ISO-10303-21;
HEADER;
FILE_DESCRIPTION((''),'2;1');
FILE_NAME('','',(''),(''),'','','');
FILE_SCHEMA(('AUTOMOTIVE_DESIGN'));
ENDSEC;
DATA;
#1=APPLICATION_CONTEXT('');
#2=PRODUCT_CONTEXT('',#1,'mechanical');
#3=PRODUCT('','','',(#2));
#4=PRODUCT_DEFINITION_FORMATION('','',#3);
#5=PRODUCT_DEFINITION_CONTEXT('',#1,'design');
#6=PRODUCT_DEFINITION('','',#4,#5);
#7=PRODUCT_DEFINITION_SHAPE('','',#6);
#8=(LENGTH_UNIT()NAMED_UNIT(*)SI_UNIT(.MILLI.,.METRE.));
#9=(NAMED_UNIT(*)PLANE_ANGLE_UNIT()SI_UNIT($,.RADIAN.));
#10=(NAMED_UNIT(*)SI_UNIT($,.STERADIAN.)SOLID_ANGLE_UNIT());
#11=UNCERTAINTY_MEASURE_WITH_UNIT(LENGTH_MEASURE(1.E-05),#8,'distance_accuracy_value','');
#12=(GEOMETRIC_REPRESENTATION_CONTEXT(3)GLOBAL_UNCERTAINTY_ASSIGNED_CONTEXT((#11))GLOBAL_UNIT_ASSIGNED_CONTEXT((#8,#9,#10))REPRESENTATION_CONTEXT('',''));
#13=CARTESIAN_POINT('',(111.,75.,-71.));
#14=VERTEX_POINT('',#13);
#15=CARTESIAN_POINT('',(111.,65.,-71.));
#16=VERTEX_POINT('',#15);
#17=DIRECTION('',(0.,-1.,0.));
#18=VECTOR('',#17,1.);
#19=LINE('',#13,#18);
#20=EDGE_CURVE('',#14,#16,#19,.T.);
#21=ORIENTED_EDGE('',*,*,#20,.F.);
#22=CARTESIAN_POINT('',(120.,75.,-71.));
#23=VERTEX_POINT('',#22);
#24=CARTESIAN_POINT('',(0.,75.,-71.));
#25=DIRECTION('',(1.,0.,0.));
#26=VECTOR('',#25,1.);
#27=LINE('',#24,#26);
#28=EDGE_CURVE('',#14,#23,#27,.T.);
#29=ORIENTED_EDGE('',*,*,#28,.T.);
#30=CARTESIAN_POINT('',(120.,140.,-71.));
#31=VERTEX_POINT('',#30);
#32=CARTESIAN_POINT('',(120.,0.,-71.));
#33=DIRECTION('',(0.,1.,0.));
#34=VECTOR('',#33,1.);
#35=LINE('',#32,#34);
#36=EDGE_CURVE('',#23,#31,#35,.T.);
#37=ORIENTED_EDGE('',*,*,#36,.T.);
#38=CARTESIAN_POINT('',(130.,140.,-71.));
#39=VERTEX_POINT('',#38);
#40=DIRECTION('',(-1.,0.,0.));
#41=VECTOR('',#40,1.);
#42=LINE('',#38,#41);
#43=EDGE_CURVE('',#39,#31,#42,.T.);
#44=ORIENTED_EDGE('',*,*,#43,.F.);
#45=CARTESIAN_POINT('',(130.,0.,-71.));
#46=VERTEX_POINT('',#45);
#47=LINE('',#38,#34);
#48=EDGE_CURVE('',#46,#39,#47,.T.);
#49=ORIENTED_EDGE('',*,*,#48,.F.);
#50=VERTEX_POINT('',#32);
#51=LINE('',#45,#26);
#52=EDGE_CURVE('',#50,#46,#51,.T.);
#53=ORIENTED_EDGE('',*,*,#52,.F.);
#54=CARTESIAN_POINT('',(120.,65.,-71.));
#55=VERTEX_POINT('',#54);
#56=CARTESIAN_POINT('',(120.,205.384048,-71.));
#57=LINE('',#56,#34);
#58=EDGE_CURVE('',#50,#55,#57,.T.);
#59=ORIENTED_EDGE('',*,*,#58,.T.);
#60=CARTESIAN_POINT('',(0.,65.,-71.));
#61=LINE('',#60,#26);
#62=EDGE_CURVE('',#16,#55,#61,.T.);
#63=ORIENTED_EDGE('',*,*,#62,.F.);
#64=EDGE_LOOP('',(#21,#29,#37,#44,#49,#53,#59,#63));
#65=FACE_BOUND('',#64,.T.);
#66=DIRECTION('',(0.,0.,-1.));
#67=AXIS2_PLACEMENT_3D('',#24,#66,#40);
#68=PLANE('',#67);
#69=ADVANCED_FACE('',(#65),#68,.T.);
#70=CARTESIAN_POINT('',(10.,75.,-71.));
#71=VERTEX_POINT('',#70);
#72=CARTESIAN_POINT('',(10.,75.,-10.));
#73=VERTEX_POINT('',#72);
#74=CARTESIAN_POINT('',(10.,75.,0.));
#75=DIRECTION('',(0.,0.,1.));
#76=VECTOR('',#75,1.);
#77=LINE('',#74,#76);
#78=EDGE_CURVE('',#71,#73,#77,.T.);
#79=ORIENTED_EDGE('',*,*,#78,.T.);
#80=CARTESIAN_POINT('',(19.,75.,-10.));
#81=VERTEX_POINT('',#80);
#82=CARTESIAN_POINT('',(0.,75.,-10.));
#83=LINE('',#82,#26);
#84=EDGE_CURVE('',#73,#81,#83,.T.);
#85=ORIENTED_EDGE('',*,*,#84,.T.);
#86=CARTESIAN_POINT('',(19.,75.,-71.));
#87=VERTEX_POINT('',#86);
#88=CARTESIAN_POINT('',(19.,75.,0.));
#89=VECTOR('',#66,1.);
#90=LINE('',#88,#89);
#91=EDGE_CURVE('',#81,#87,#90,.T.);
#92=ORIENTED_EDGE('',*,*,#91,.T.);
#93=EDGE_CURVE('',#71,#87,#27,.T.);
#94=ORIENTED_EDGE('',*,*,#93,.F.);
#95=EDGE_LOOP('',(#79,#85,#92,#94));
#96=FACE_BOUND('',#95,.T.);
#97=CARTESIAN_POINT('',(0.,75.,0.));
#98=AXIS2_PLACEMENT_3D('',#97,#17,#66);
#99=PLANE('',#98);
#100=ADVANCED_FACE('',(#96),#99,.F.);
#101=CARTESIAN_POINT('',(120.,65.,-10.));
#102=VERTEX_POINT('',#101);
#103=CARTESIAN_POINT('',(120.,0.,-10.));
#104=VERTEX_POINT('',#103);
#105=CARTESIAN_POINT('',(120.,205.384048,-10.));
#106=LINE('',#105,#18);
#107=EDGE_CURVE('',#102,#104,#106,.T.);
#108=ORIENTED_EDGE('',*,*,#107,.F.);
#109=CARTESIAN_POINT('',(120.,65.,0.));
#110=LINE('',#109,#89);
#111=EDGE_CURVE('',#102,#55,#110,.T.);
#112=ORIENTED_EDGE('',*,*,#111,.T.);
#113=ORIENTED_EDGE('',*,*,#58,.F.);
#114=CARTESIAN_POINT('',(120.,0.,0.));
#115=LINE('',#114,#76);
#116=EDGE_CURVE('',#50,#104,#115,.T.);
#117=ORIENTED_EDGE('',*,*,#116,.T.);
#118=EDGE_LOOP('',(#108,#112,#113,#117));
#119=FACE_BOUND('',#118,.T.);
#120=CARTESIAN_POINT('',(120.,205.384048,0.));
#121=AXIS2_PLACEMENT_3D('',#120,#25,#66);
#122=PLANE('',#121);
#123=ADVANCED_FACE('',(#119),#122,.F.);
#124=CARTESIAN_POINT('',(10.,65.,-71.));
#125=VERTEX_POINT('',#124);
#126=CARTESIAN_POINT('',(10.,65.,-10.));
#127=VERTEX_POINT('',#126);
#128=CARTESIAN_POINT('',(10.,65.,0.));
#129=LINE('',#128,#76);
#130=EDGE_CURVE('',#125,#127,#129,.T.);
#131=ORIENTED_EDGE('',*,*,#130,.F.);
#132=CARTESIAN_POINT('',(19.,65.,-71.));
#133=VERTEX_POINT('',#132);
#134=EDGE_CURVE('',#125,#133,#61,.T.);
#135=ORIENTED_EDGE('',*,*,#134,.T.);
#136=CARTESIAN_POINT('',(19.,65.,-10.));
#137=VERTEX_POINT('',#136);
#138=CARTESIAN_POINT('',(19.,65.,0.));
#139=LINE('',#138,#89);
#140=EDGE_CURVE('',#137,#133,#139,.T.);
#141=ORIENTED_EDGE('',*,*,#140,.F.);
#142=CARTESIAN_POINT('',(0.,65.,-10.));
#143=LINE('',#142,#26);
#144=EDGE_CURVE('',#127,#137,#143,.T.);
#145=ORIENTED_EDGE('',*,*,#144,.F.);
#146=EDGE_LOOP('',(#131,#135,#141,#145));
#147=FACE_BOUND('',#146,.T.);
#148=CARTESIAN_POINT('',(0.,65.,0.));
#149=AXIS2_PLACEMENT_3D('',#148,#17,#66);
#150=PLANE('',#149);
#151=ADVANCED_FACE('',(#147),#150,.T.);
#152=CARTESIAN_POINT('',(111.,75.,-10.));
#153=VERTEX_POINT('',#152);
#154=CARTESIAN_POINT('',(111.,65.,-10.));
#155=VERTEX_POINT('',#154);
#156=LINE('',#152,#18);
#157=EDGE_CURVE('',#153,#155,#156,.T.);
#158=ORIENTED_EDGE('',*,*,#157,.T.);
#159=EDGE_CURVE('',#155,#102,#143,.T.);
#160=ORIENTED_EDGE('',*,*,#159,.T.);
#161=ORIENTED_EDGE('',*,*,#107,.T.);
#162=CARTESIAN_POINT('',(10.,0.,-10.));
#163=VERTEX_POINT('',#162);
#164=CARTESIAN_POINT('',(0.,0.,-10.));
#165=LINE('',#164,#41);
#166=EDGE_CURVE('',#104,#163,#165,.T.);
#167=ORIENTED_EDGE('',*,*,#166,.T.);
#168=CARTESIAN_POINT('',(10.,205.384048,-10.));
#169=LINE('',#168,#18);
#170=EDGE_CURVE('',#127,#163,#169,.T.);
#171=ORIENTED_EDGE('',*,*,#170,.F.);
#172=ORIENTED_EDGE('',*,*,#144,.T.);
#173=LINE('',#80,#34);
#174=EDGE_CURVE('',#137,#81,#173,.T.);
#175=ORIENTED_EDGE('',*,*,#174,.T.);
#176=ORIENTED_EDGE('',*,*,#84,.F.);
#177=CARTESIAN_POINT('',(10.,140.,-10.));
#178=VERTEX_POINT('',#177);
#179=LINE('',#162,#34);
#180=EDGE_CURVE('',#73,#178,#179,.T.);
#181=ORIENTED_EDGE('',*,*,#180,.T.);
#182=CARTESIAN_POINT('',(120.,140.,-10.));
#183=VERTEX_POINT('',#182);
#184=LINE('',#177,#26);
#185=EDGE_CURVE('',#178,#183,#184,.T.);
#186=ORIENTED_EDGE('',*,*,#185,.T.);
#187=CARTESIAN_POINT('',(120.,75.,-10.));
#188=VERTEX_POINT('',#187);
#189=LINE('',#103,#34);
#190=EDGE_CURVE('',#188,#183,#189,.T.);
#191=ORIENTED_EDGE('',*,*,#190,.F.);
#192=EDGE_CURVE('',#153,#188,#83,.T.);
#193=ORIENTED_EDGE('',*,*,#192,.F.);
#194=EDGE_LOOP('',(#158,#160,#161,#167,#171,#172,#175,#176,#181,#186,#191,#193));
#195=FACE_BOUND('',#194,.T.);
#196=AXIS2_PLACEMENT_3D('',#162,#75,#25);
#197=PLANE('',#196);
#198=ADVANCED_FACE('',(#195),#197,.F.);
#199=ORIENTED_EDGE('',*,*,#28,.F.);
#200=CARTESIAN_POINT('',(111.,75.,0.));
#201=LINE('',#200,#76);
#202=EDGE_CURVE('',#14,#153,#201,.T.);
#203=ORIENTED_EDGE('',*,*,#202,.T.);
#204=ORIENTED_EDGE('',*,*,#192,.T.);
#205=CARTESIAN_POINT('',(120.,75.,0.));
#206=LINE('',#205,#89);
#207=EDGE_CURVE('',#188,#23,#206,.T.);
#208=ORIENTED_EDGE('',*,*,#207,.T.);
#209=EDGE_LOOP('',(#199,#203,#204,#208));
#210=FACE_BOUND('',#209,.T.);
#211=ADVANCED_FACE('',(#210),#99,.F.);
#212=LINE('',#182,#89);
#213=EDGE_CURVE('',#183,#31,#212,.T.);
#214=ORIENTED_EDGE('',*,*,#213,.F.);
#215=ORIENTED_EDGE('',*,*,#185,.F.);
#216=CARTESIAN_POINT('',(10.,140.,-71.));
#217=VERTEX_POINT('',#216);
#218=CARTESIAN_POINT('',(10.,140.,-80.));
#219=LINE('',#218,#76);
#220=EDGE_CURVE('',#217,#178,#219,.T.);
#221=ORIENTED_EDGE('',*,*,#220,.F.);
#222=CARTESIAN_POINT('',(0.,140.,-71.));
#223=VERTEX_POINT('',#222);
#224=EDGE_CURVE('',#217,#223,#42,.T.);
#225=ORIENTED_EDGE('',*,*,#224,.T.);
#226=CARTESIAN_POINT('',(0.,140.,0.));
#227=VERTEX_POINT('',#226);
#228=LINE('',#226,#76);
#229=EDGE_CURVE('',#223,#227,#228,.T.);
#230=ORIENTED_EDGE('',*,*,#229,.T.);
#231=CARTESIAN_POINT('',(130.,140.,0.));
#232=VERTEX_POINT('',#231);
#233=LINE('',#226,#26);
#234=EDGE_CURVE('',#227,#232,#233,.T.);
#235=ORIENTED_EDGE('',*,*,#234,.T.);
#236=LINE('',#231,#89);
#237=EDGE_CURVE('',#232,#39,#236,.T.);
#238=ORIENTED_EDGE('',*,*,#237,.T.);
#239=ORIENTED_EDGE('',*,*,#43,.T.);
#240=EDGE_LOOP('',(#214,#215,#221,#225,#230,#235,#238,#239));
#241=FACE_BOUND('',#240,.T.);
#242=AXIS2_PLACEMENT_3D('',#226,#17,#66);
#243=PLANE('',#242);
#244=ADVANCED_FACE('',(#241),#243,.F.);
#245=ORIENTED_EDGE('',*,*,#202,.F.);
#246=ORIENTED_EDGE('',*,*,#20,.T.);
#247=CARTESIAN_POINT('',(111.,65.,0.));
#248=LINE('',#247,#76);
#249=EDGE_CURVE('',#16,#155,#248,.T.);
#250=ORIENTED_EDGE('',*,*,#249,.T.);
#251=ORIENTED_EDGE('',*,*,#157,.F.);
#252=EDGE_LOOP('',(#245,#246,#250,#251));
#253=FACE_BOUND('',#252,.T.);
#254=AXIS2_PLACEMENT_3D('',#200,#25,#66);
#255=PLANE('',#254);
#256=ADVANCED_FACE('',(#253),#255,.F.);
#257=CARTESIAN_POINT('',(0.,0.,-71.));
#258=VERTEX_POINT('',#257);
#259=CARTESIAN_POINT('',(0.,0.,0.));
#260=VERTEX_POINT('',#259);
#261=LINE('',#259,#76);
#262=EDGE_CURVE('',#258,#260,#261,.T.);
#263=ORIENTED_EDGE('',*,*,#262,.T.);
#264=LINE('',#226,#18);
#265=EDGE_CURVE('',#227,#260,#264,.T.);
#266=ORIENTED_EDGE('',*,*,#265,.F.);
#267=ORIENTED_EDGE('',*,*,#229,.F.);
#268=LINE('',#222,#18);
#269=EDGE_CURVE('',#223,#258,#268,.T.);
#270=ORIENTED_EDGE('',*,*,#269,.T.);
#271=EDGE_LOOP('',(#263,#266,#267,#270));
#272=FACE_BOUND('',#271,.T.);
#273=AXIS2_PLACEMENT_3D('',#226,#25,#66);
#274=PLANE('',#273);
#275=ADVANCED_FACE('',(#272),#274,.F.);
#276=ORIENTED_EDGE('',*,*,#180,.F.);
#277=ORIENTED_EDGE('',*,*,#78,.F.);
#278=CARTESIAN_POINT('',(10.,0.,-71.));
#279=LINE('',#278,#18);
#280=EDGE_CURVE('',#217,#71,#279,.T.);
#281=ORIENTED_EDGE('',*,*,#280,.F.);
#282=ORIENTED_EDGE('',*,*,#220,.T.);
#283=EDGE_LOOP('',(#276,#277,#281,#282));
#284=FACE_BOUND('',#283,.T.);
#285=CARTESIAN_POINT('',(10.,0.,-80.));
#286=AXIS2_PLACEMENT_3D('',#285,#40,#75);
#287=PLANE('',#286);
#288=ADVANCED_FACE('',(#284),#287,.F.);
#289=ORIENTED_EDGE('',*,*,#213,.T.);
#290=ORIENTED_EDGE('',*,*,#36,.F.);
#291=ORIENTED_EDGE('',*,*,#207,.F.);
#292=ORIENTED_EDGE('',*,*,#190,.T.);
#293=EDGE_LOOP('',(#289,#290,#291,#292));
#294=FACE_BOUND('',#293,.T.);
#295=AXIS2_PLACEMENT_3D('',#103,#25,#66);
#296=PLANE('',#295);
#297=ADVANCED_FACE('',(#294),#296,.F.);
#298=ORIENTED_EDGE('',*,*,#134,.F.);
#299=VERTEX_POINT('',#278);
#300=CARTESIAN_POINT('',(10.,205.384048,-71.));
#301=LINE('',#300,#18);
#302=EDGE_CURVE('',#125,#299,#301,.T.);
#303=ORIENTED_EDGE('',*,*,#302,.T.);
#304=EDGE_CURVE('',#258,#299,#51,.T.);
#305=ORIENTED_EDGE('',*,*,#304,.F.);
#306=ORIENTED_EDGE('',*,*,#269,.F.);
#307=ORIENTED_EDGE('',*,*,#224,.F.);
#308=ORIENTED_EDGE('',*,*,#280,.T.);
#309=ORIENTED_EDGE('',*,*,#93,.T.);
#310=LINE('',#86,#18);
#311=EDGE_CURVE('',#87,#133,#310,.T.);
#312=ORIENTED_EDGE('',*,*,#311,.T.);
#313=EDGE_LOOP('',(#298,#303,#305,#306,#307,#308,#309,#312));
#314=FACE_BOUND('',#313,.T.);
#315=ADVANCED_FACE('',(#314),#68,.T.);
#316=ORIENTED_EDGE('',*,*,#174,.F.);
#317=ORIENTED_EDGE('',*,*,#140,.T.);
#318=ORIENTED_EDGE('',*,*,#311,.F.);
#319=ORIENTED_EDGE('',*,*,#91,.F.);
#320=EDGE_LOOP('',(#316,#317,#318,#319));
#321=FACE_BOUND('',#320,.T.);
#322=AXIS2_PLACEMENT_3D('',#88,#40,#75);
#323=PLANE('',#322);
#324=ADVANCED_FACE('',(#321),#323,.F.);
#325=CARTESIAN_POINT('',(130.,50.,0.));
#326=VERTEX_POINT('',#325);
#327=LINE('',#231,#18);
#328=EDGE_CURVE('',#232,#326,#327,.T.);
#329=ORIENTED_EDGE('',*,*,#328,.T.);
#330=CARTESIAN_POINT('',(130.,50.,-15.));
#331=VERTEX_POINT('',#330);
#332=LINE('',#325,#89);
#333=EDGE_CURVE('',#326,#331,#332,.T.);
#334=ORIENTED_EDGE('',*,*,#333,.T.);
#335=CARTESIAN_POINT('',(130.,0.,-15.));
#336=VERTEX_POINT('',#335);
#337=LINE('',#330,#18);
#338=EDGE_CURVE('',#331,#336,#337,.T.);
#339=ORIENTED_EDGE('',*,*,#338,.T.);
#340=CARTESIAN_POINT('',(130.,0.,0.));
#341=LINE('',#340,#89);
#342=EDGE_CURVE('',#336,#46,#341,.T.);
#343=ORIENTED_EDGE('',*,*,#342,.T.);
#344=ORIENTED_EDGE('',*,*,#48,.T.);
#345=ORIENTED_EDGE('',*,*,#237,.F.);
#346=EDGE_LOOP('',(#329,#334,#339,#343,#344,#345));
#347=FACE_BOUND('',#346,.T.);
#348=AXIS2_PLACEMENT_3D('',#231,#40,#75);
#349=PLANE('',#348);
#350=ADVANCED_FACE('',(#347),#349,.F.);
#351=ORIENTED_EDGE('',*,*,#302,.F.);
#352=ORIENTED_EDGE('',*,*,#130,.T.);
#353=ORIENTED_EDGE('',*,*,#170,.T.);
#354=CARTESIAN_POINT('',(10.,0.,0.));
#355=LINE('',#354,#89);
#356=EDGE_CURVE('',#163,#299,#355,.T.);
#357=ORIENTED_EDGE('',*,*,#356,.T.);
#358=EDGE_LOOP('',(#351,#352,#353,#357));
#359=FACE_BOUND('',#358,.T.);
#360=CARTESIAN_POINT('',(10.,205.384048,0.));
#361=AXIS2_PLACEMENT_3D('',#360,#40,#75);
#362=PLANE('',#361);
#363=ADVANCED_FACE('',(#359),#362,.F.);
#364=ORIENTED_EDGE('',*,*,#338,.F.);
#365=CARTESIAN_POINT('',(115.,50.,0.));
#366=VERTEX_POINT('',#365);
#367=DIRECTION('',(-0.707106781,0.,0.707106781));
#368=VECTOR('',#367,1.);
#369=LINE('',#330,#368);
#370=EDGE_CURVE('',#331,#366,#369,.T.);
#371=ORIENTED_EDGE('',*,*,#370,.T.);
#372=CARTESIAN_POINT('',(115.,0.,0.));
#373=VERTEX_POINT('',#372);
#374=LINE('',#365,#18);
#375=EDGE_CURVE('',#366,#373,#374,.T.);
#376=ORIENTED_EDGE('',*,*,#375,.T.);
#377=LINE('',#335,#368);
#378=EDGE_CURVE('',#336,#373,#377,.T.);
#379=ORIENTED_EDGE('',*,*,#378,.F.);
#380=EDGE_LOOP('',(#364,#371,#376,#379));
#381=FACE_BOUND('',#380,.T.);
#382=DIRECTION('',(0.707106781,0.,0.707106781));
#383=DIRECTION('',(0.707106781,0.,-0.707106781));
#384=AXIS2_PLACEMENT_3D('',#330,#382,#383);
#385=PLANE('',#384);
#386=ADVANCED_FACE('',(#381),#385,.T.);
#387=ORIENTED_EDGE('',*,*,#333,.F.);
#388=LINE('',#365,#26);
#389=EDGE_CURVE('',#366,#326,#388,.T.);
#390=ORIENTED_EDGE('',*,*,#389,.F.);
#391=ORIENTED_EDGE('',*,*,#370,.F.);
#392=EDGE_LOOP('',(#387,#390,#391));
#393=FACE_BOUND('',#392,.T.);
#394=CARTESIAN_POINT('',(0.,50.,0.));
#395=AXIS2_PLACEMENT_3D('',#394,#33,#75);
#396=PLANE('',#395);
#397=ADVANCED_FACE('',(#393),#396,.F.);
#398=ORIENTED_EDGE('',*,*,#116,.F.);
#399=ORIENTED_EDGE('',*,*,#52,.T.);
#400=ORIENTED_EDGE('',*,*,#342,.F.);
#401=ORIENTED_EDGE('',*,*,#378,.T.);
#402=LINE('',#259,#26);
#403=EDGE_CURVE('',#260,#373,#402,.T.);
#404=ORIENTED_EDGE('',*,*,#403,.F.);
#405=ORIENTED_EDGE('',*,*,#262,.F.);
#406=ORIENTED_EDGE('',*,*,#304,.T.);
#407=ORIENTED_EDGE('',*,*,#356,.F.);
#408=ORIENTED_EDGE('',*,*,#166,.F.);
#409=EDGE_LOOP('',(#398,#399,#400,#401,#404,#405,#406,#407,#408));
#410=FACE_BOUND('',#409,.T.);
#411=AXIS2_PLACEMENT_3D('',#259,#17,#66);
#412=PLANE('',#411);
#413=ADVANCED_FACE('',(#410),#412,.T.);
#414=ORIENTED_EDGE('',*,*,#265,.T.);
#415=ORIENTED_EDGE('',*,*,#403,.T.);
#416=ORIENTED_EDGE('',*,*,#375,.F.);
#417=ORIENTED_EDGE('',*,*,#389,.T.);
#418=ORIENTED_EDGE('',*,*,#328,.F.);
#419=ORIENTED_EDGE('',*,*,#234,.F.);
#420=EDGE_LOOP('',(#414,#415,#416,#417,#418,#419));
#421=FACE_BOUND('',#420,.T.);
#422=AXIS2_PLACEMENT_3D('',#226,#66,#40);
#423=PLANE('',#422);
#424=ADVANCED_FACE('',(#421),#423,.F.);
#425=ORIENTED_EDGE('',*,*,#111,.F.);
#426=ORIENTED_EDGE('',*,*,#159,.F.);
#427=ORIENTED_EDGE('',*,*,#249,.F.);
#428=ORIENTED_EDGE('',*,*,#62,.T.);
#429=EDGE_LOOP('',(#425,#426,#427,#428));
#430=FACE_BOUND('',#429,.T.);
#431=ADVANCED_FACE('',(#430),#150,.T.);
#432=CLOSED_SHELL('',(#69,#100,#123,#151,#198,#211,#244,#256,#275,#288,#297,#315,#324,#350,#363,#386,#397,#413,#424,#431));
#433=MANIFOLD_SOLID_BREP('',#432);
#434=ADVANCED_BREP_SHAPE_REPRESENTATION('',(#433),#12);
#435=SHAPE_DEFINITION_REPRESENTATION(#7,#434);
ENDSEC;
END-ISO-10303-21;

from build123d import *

# Parameters (mm, degrees)
SKETCH1_W           = 130
SKETCH1_H           = 90
BOSS_EXTRUDE1_DEPTH = 140
SKETCH3_W           = 110
SKETCH3_H           = 70
CUT_EXTRUDE1_DEPTH  = 212.187120819
SKETCH4_W           = 110
SKETCH4_H           = 70
SKETCH4_W_2         = 92
SKETCH4_H_2         = 52
BOSS_EXTRUDE2_DEPTH = 75
SKETCH5_W           = 110
SKETCH5_H           = 70
SKETCH5_W_2         = 92
SKETCH5_H_2         = 52
CUT_EXTRUDE2_DEPTH  = 65
SKETCH6_W           = 130
SKETCH6_H           = 140
CUT_EXTRUDE3_DEPTH  = 19
SKETCH7_W           = 92
SKETCH7_H           = 10
CUT_EXTRUDE4_DEPTH  = 9
CUT_EXTRUDE5_DEPTH  = 50


with BuildPart() as part:
    # Sketch1 → Boss-Extrude1 (new body)
    with BuildSketch(Plane(origin=(0, 0, 0), x_dir=(1, 0, 0), z_dir=(0, 1, 0))):
        with Locations((65, 45)):
            Rectangle(SKETCH1_W, SKETCH1_H)
    extrude(amount=BOSS_EXTRUDE1_DEPTH)

    # Sketch3 → Cut-Extrude1 (cut, through all)
    with BuildSketch(Plane(origin=(0, 140, 0), x_dir=(1, 0, 0), z_dir=(0, 1, 0))):
        with Locations((65, 45)):
            Rectangle(SKETCH3_W, SKETCH3_H)
    extrude(amount=-CUT_EXTRUDE1_DEPTH, mode=Mode.SUBTRACT)

    # Sketch4 → Boss-Extrude2 (add)
    with BuildSketch(Plane.XZ):
        with Locations((65, -45)):
            Rectangle(SKETCH4_W, SKETCH4_H)
        with Locations((65, -45)):
            Rectangle(SKETCH4_W_2, SKETCH4_H_2, mode=Mode.SUBTRACT)
    extrude(amount=-BOSS_EXTRUDE2_DEPTH)

    # Sketch5 → Cut-Extrude2 (cut)
    with BuildSketch(Plane.XZ):
        with Locations((65, -45)):
            Rectangle(SKETCH5_W, SKETCH5_H)
        with Locations((65, -45)):
            Rectangle(SKETCH5_W_2, SKETCH5_H_2, mode=Mode.SUBTRACT)
    extrude(amount=-CUT_EXTRUDE2_DEPTH, mode=Mode.SUBTRACT)

    # Sketch6 → Cut-Extrude3 (cut)
    with BuildSketch(Plane(origin=(0, 0, -90), x_dir=(-1, 0, 0), z_dir=(0, 0, -1))):
        with Locations((-65, 70)):
            Rectangle(SKETCH6_W, SKETCH6_H)
    extrude(amount=-CUT_EXTRUDE3_DEPTH, mode=Mode.SUBTRACT)

    # Sketch7 → Cut-Extrude4 (cut)
    with BuildSketch(Plane(origin=(0, 0, -19), x_dir=(-1, 0, 0), z_dir=(0, 0, -1))):
        with Locations((-65, 70)):
            Rectangle(SKETCH7_W, SKETCH7_H)
    extrude(amount=-CUT_EXTRUDE4_DEPTH, mode=Mode.SUBTRACT)

    # Sketch8 → Cut-Extrude5 (cut)
    with BuildSketch(Plane(origin=(0, 0, 0), x_dir=(1, 0, 0), z_dir=(0, 1, 0))):
        Polygon((130, 0), (130, 15), (115, 0), align=None)
    extrude(amount=CUT_EXTRUDE5_DEPTH, mode=Mode.SUBTRACT)


solid = part.part
